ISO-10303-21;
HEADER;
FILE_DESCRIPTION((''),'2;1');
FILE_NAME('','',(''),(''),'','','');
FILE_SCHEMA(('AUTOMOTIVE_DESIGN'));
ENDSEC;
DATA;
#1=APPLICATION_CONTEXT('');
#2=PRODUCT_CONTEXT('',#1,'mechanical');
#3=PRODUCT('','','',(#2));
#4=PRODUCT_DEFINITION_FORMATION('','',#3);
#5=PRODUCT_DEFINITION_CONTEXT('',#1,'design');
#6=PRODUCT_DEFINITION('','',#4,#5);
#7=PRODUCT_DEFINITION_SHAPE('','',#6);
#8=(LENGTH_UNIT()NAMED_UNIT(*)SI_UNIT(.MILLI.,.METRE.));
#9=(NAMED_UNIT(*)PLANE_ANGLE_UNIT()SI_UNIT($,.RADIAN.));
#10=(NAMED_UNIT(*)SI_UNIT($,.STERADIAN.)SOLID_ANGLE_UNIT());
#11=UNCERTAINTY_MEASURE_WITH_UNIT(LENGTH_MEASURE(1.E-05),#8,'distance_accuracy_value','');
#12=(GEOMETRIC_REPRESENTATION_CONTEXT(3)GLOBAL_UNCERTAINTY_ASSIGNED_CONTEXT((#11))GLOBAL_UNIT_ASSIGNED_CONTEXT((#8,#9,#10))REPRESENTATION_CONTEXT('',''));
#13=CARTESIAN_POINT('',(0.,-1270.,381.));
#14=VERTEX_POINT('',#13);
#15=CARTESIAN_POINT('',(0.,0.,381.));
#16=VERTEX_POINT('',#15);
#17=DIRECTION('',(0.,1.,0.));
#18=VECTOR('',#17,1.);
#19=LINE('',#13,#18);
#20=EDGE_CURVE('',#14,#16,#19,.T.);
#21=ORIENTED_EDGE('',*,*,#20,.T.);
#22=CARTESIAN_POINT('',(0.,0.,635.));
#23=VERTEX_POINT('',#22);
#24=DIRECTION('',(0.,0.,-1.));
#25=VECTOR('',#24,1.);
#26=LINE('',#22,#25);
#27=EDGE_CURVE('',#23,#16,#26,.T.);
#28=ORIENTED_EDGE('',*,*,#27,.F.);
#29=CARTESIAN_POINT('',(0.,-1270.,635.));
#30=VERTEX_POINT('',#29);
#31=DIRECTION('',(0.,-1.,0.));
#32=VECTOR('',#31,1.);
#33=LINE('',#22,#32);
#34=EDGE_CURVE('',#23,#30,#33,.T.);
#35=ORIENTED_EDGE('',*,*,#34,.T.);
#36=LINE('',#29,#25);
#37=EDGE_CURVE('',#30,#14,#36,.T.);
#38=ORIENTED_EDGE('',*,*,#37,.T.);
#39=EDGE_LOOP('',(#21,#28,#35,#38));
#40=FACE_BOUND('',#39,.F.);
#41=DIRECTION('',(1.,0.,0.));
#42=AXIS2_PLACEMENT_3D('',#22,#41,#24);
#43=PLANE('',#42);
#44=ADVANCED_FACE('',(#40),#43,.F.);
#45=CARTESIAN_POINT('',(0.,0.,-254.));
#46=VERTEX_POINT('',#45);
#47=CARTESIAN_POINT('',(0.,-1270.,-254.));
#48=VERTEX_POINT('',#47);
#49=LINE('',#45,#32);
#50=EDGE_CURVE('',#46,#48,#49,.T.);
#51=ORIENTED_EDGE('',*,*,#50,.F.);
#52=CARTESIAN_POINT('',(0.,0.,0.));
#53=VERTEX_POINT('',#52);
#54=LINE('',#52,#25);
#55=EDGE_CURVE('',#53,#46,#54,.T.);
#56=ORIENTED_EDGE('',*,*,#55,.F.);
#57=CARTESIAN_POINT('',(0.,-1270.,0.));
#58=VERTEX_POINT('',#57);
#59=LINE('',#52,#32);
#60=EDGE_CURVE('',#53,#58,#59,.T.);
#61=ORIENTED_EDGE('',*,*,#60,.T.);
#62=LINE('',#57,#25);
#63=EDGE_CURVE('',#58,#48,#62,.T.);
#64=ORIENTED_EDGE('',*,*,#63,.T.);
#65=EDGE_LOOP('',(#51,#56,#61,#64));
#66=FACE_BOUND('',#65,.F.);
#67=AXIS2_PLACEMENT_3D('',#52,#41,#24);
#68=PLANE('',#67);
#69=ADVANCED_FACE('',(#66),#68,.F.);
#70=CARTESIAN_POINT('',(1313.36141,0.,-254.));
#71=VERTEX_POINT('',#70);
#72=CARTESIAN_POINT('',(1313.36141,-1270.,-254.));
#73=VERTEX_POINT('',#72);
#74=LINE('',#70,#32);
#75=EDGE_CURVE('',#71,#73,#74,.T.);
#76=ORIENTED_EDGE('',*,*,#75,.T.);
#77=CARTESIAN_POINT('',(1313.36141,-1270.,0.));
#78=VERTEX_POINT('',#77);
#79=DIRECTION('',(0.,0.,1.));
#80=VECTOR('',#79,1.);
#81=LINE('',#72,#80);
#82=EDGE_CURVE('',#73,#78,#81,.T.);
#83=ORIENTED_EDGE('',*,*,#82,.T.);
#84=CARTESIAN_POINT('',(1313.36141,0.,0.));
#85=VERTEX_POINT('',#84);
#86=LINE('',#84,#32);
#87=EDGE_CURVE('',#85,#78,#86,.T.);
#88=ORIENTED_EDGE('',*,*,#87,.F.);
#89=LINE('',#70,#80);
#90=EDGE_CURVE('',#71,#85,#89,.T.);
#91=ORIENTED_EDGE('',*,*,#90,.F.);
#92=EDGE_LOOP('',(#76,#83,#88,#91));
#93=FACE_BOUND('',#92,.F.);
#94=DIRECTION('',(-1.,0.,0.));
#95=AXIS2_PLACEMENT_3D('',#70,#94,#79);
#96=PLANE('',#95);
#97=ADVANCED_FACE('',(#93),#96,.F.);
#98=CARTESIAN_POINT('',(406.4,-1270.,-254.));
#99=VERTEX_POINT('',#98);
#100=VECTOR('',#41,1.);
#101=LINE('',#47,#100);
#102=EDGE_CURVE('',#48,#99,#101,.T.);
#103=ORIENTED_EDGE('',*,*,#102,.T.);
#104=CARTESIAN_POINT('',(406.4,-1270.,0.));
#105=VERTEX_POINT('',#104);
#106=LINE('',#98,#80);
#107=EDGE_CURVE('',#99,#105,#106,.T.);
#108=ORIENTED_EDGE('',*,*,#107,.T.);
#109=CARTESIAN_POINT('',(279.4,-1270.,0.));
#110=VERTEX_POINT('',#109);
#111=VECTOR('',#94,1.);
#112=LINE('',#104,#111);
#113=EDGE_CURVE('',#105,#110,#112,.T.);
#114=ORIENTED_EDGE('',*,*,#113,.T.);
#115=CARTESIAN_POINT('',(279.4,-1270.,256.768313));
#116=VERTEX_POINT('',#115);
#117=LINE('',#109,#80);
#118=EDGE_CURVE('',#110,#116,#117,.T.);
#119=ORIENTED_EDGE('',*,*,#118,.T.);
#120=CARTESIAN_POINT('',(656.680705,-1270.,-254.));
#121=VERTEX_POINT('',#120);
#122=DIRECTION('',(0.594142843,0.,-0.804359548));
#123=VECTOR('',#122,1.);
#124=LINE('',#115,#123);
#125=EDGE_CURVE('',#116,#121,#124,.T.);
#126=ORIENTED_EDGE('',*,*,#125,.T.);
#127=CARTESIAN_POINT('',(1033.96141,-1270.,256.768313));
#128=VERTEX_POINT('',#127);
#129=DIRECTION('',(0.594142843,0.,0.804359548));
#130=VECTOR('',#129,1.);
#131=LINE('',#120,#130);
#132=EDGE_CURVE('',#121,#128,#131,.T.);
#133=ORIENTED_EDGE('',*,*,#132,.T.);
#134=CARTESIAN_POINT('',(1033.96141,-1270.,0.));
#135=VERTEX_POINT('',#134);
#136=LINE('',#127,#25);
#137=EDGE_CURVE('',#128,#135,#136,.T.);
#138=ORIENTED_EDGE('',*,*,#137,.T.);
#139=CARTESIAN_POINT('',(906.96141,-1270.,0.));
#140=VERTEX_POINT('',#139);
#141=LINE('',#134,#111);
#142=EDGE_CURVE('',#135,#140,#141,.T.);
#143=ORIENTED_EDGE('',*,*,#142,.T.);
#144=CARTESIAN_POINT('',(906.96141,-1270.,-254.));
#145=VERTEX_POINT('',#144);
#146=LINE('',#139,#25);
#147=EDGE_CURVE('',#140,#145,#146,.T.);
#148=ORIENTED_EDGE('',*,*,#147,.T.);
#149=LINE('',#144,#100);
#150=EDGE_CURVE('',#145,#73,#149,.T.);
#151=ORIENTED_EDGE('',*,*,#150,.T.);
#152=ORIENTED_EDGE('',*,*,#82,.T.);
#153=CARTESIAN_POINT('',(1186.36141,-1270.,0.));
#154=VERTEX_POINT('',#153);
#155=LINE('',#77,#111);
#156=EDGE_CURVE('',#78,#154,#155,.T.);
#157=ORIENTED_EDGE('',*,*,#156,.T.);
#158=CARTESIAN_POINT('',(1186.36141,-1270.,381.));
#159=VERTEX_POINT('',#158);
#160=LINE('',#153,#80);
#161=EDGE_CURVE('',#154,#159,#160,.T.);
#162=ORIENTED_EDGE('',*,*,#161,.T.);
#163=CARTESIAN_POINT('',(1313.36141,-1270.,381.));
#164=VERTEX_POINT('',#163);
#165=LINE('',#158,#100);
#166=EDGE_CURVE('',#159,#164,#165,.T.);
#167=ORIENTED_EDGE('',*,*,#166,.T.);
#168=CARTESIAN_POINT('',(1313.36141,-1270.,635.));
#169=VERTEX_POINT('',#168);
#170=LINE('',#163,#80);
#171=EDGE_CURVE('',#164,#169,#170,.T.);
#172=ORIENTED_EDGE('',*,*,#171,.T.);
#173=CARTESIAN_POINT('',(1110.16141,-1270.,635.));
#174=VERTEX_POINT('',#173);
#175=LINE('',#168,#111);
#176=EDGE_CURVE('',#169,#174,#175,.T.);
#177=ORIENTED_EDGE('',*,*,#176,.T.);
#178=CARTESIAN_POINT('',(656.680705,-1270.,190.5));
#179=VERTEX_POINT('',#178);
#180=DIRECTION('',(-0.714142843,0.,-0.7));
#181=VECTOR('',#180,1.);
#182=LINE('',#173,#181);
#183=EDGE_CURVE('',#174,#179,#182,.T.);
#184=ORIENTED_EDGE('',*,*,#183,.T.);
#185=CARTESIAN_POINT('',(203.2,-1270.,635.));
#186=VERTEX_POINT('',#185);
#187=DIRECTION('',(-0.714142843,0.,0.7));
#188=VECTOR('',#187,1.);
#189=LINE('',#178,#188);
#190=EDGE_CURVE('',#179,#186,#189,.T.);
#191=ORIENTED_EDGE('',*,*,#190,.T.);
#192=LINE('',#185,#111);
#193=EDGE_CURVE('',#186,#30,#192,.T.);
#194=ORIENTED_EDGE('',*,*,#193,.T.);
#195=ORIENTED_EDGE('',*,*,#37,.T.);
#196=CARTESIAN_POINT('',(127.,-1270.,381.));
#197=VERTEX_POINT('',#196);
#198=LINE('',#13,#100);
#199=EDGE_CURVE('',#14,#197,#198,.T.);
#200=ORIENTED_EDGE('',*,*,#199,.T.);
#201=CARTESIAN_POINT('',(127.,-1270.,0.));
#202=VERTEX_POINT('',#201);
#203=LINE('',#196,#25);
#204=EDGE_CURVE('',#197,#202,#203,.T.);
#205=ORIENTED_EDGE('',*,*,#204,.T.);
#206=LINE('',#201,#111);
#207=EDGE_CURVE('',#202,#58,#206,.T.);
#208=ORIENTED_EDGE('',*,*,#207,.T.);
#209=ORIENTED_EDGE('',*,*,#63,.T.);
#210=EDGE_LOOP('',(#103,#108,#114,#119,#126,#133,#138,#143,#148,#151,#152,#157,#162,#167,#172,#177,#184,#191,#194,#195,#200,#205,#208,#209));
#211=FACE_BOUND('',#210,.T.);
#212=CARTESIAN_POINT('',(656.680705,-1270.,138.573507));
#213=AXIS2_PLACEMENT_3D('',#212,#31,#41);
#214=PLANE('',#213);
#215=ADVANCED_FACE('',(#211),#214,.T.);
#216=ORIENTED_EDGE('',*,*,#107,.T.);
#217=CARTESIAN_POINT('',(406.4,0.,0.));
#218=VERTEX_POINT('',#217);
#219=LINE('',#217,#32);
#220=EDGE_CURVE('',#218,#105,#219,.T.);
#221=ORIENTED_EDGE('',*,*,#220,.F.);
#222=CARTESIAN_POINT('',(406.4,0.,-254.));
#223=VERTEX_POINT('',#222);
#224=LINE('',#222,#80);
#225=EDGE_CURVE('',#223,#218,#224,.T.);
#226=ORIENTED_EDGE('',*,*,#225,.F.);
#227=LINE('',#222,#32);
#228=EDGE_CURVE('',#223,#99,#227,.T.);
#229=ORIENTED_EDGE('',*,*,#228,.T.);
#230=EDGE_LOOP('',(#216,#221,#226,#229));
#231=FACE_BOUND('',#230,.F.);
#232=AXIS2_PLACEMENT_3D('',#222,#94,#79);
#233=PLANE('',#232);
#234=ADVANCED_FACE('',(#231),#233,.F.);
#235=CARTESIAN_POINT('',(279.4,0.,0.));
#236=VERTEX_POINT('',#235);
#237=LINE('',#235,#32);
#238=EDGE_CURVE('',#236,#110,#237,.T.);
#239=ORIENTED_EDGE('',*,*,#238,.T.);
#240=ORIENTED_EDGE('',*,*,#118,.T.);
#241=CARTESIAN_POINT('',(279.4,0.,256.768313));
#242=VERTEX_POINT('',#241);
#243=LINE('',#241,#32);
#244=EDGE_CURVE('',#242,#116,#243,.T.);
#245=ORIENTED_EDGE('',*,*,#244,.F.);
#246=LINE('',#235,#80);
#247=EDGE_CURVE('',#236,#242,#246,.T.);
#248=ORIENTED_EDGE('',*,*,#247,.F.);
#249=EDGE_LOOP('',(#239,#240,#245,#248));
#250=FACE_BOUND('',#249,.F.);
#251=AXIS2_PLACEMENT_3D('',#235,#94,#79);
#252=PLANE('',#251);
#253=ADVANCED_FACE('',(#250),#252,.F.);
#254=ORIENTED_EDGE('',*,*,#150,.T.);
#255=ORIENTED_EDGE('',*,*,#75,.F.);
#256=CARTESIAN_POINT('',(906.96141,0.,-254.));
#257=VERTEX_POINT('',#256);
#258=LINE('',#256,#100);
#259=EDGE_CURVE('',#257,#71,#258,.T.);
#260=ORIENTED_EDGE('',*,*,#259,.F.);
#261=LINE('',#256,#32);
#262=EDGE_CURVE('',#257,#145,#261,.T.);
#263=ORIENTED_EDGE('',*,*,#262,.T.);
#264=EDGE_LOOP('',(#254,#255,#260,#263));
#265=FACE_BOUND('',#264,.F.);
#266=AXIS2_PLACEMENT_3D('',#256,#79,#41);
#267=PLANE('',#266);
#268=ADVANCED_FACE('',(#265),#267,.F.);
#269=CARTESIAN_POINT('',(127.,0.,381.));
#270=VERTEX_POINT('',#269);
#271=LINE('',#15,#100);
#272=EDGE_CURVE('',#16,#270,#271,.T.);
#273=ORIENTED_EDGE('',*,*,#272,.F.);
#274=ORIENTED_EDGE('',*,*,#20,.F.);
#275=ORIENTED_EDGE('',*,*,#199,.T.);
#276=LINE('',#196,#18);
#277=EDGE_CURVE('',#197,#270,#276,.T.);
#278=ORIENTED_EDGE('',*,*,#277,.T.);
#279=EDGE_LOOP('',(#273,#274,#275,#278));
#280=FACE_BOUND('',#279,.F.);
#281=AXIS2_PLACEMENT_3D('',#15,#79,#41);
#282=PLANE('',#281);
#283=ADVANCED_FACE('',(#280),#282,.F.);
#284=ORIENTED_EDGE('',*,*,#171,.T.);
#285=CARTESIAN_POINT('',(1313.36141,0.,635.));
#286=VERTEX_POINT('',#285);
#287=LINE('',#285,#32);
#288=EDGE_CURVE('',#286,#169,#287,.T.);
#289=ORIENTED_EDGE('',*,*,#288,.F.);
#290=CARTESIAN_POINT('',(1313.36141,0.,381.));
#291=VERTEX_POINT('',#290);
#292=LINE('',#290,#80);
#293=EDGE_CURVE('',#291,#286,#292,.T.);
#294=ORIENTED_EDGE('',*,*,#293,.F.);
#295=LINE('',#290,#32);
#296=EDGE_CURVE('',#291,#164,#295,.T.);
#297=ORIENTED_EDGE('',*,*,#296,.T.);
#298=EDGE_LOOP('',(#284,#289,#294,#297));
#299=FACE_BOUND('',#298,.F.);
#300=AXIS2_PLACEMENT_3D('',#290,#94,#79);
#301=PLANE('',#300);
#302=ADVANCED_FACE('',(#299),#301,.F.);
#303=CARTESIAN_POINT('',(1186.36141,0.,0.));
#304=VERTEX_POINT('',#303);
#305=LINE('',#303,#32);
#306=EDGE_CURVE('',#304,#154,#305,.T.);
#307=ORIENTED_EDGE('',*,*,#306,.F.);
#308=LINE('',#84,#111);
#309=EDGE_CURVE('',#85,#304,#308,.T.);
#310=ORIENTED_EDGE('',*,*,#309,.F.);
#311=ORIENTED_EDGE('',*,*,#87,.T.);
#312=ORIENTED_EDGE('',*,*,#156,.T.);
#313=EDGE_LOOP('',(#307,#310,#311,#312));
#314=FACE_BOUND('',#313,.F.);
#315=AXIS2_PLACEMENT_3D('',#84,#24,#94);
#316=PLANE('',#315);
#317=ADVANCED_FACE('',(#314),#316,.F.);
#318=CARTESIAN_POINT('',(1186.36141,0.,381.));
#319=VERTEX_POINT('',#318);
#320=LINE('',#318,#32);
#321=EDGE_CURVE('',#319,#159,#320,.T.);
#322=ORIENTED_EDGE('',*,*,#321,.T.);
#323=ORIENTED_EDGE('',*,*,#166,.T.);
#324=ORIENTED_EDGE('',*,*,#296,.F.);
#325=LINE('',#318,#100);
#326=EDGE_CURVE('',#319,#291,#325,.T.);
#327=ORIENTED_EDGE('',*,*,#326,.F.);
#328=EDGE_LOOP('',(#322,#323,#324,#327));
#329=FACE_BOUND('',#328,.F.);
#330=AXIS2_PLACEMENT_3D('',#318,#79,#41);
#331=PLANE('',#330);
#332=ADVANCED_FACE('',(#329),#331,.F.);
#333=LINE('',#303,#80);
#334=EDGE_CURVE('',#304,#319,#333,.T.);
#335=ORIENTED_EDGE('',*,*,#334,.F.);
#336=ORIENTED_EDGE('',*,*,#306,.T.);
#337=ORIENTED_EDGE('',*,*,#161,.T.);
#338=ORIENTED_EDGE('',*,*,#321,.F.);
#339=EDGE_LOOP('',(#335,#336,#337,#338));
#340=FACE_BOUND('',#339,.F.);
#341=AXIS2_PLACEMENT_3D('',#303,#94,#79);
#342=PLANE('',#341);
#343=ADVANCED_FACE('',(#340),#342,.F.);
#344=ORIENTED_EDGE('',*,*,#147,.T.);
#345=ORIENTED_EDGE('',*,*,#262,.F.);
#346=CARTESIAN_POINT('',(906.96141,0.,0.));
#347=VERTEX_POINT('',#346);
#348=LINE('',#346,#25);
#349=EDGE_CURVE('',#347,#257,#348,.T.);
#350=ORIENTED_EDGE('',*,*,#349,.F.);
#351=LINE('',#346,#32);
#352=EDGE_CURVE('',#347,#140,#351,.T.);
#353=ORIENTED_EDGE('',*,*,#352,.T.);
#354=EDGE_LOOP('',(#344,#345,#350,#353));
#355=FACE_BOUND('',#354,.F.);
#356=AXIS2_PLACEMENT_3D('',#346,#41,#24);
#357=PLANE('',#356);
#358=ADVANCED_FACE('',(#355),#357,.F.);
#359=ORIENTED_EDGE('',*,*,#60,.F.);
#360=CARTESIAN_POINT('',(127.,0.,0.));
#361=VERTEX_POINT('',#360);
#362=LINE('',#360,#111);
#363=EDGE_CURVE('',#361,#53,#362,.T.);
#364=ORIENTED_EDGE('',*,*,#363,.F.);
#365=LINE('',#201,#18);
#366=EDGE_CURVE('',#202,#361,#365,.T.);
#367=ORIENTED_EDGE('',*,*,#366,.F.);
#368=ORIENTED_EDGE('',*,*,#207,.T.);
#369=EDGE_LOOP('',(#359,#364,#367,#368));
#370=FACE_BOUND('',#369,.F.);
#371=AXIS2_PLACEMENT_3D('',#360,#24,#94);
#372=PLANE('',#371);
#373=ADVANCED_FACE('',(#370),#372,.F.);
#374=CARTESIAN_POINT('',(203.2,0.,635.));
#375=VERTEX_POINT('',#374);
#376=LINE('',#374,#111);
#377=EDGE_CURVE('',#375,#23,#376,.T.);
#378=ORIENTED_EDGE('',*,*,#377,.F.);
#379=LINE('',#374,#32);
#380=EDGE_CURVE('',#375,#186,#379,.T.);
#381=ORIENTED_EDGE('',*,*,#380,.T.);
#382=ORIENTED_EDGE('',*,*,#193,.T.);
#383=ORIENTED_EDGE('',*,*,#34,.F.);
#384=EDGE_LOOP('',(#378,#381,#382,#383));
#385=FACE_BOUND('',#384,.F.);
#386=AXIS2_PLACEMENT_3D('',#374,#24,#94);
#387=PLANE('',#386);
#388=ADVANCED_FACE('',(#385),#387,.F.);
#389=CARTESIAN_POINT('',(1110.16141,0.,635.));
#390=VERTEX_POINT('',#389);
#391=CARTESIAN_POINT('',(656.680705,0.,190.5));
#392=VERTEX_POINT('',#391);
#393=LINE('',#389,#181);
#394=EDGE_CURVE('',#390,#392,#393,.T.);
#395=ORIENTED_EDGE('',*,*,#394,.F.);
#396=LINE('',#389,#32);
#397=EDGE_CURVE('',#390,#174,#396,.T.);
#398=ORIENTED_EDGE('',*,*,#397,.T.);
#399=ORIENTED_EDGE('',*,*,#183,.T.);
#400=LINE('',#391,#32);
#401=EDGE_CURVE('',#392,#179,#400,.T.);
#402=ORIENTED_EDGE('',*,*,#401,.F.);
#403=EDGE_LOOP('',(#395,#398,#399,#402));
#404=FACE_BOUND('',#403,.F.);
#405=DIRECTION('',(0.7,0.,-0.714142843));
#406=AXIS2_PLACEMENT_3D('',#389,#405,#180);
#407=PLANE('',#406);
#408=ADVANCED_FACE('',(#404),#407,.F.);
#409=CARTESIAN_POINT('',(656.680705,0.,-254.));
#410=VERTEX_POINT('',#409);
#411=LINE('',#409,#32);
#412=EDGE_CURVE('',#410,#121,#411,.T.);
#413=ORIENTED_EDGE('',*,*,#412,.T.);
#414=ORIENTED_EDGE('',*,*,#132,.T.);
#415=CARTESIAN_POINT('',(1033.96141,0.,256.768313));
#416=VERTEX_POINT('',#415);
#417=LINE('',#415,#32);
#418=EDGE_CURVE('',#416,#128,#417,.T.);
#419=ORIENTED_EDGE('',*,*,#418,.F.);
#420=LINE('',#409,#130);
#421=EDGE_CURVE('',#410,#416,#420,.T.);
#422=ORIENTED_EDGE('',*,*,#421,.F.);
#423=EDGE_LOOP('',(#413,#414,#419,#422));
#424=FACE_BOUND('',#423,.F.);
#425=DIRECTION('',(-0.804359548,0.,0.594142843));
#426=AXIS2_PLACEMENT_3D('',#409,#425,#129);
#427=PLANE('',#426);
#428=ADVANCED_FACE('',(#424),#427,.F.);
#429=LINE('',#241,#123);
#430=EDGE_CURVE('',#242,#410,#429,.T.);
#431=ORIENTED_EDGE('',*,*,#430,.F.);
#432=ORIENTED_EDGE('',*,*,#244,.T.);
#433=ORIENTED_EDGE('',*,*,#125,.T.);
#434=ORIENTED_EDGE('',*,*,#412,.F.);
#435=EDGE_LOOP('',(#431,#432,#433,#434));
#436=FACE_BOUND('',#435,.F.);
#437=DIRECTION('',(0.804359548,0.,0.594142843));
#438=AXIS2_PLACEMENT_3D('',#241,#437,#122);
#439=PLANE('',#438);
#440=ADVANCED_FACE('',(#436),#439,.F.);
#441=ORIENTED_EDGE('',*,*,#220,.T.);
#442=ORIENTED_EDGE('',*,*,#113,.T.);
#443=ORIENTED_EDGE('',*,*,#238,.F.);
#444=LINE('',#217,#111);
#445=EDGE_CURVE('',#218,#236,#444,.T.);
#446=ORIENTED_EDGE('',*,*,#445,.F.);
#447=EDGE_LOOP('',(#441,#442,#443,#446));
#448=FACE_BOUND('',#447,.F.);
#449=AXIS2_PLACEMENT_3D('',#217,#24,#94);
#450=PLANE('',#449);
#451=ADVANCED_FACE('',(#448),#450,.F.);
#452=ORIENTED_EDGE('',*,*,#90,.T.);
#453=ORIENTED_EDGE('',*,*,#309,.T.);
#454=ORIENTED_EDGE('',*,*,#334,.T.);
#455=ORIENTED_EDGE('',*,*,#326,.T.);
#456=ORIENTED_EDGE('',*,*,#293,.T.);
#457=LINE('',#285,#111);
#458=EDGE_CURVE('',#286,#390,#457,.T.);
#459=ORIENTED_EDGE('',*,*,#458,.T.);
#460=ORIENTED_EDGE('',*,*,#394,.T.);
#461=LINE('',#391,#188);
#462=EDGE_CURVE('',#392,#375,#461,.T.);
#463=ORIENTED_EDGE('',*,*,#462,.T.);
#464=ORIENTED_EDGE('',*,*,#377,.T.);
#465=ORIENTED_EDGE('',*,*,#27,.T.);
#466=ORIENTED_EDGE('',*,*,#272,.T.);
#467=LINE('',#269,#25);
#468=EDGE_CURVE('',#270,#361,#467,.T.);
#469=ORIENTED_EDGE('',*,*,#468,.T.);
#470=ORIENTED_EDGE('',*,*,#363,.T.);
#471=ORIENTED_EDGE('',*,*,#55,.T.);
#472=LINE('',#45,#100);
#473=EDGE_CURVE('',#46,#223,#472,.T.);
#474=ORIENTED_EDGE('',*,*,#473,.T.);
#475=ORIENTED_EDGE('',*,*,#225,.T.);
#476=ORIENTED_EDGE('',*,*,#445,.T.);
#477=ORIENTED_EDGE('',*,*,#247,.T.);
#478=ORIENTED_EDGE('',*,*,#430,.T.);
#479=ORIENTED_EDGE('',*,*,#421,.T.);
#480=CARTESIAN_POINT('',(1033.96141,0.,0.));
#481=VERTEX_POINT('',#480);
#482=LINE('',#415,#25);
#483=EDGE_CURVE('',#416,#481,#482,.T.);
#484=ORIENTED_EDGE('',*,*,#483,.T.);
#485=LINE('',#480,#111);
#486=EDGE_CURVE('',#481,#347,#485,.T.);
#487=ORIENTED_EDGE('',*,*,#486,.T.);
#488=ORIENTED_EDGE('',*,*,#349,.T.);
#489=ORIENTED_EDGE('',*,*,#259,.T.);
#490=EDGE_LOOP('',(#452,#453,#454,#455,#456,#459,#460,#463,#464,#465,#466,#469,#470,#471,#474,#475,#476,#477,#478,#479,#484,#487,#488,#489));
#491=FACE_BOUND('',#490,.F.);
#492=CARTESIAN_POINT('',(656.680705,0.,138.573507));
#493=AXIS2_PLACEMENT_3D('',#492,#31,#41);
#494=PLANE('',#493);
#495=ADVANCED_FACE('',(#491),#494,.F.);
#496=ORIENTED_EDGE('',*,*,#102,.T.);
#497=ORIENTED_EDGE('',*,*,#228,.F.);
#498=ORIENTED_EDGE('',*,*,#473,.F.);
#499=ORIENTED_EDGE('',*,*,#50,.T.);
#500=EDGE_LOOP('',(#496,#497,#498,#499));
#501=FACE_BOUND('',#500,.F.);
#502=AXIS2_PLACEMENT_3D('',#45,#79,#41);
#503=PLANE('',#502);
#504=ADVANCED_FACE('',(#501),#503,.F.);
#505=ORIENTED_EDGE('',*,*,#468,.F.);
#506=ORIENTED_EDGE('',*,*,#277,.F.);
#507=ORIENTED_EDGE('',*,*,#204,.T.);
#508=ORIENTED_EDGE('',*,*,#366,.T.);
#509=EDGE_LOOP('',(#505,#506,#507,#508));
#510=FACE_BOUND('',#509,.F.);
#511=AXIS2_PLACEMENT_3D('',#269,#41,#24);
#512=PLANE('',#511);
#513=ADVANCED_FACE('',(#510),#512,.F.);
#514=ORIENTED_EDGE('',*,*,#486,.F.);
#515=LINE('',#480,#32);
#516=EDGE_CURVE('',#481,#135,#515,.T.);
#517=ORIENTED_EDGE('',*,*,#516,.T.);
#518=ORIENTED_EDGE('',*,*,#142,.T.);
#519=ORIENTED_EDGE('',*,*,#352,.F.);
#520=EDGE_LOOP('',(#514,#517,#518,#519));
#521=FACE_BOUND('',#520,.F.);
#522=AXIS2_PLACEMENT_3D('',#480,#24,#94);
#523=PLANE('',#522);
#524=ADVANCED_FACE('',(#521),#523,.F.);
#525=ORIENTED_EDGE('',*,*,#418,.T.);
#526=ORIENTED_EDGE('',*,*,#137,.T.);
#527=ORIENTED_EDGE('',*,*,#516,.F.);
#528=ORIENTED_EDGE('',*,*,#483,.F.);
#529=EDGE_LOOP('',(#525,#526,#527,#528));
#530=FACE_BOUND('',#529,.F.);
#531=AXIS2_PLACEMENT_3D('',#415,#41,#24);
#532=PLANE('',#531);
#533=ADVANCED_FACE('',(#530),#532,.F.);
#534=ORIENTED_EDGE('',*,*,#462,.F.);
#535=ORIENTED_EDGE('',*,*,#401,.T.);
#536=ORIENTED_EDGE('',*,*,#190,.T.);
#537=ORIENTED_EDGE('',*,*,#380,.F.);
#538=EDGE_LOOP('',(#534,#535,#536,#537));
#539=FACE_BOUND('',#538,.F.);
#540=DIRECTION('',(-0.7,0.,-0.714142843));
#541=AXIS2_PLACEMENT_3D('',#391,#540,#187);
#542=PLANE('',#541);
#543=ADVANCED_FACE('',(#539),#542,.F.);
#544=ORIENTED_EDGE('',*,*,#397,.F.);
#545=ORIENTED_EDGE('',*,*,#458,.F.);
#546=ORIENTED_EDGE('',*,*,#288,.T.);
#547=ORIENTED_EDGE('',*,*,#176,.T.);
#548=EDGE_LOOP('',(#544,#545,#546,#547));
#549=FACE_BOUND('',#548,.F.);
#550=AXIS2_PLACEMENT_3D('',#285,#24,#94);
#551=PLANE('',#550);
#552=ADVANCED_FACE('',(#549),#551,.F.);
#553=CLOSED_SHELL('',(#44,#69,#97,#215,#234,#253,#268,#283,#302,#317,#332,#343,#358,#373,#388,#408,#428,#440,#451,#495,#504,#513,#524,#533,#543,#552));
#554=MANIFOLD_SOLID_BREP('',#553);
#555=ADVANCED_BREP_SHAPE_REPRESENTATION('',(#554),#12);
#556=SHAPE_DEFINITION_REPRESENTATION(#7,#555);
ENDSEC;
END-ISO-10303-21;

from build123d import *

# Parameters (mm, degrees)
F1_DEPTH = 1270
F2_DEPTH = 127
F3_DEPTH = 25.4


with BuildPart() as f1:
    # F0 (on Front) → F1 (new body)
    with BuildSketch(Plane.XZ):
        Polygon((127, 0), (0, 0), (0, -254), (406.4, -254), (406.4, 0), (279.4, 0), (279.4, 256.7683129114), (656.6807052125, -254), (1033.9614104249, 256.7683129114), (1033.9614104249, 0), (906.9614104249, 0), (906.9614104249, -254), (1313.3614104249, -254), (1313.3614104249, 0), (1186.3614104249, 0), (1186.3614104249, 381), (1313.3614104249, 381), (1313.3614104249, 635), (1110.1614104249, 635), (656.6807052125, 190.5), (203.2, 635), (0, 635), (0, 381), (127, 381), align=None)
    extrude(amount=F1_DEPTH)

    # F2 (add): a face of the model
    f2_faces = [f1.faces().sort_by_distance(p)[0] for p in [
        (656.6807052125, 0, 153.5673559102),
    ]]
    extrude(f2_faces, amount=-F2_DEPTH)

    # F0 (on Front) → F3 (join)
    with BuildSketch(Plane.XZ):
        Polygon((127, 0), (0, 0), (0, -254), (406.4, -254), (406.4, 0), (279.4, 0), (279.4, 256.7683129114), (656.6807052125, -254), (1033.9614104249, 256.7683129114), (1033.9614104249, 0), (906.9614104249, 0), (906.9614104249, -254), (1313.3614104249, -254), (1313.3614104249, 0), (1186.3614104249, 0), (1186.3614104249, 381), (1313.3614104249, 381), (1313.3614104249, 635), (1110.1614104249, 635), (656.6807052125, 190.5), (203.2, 635), (0, 635), (0, 381), (127, 381), align=None)
    extrude(amount=F3_DEPTH)


solid = f1.part
